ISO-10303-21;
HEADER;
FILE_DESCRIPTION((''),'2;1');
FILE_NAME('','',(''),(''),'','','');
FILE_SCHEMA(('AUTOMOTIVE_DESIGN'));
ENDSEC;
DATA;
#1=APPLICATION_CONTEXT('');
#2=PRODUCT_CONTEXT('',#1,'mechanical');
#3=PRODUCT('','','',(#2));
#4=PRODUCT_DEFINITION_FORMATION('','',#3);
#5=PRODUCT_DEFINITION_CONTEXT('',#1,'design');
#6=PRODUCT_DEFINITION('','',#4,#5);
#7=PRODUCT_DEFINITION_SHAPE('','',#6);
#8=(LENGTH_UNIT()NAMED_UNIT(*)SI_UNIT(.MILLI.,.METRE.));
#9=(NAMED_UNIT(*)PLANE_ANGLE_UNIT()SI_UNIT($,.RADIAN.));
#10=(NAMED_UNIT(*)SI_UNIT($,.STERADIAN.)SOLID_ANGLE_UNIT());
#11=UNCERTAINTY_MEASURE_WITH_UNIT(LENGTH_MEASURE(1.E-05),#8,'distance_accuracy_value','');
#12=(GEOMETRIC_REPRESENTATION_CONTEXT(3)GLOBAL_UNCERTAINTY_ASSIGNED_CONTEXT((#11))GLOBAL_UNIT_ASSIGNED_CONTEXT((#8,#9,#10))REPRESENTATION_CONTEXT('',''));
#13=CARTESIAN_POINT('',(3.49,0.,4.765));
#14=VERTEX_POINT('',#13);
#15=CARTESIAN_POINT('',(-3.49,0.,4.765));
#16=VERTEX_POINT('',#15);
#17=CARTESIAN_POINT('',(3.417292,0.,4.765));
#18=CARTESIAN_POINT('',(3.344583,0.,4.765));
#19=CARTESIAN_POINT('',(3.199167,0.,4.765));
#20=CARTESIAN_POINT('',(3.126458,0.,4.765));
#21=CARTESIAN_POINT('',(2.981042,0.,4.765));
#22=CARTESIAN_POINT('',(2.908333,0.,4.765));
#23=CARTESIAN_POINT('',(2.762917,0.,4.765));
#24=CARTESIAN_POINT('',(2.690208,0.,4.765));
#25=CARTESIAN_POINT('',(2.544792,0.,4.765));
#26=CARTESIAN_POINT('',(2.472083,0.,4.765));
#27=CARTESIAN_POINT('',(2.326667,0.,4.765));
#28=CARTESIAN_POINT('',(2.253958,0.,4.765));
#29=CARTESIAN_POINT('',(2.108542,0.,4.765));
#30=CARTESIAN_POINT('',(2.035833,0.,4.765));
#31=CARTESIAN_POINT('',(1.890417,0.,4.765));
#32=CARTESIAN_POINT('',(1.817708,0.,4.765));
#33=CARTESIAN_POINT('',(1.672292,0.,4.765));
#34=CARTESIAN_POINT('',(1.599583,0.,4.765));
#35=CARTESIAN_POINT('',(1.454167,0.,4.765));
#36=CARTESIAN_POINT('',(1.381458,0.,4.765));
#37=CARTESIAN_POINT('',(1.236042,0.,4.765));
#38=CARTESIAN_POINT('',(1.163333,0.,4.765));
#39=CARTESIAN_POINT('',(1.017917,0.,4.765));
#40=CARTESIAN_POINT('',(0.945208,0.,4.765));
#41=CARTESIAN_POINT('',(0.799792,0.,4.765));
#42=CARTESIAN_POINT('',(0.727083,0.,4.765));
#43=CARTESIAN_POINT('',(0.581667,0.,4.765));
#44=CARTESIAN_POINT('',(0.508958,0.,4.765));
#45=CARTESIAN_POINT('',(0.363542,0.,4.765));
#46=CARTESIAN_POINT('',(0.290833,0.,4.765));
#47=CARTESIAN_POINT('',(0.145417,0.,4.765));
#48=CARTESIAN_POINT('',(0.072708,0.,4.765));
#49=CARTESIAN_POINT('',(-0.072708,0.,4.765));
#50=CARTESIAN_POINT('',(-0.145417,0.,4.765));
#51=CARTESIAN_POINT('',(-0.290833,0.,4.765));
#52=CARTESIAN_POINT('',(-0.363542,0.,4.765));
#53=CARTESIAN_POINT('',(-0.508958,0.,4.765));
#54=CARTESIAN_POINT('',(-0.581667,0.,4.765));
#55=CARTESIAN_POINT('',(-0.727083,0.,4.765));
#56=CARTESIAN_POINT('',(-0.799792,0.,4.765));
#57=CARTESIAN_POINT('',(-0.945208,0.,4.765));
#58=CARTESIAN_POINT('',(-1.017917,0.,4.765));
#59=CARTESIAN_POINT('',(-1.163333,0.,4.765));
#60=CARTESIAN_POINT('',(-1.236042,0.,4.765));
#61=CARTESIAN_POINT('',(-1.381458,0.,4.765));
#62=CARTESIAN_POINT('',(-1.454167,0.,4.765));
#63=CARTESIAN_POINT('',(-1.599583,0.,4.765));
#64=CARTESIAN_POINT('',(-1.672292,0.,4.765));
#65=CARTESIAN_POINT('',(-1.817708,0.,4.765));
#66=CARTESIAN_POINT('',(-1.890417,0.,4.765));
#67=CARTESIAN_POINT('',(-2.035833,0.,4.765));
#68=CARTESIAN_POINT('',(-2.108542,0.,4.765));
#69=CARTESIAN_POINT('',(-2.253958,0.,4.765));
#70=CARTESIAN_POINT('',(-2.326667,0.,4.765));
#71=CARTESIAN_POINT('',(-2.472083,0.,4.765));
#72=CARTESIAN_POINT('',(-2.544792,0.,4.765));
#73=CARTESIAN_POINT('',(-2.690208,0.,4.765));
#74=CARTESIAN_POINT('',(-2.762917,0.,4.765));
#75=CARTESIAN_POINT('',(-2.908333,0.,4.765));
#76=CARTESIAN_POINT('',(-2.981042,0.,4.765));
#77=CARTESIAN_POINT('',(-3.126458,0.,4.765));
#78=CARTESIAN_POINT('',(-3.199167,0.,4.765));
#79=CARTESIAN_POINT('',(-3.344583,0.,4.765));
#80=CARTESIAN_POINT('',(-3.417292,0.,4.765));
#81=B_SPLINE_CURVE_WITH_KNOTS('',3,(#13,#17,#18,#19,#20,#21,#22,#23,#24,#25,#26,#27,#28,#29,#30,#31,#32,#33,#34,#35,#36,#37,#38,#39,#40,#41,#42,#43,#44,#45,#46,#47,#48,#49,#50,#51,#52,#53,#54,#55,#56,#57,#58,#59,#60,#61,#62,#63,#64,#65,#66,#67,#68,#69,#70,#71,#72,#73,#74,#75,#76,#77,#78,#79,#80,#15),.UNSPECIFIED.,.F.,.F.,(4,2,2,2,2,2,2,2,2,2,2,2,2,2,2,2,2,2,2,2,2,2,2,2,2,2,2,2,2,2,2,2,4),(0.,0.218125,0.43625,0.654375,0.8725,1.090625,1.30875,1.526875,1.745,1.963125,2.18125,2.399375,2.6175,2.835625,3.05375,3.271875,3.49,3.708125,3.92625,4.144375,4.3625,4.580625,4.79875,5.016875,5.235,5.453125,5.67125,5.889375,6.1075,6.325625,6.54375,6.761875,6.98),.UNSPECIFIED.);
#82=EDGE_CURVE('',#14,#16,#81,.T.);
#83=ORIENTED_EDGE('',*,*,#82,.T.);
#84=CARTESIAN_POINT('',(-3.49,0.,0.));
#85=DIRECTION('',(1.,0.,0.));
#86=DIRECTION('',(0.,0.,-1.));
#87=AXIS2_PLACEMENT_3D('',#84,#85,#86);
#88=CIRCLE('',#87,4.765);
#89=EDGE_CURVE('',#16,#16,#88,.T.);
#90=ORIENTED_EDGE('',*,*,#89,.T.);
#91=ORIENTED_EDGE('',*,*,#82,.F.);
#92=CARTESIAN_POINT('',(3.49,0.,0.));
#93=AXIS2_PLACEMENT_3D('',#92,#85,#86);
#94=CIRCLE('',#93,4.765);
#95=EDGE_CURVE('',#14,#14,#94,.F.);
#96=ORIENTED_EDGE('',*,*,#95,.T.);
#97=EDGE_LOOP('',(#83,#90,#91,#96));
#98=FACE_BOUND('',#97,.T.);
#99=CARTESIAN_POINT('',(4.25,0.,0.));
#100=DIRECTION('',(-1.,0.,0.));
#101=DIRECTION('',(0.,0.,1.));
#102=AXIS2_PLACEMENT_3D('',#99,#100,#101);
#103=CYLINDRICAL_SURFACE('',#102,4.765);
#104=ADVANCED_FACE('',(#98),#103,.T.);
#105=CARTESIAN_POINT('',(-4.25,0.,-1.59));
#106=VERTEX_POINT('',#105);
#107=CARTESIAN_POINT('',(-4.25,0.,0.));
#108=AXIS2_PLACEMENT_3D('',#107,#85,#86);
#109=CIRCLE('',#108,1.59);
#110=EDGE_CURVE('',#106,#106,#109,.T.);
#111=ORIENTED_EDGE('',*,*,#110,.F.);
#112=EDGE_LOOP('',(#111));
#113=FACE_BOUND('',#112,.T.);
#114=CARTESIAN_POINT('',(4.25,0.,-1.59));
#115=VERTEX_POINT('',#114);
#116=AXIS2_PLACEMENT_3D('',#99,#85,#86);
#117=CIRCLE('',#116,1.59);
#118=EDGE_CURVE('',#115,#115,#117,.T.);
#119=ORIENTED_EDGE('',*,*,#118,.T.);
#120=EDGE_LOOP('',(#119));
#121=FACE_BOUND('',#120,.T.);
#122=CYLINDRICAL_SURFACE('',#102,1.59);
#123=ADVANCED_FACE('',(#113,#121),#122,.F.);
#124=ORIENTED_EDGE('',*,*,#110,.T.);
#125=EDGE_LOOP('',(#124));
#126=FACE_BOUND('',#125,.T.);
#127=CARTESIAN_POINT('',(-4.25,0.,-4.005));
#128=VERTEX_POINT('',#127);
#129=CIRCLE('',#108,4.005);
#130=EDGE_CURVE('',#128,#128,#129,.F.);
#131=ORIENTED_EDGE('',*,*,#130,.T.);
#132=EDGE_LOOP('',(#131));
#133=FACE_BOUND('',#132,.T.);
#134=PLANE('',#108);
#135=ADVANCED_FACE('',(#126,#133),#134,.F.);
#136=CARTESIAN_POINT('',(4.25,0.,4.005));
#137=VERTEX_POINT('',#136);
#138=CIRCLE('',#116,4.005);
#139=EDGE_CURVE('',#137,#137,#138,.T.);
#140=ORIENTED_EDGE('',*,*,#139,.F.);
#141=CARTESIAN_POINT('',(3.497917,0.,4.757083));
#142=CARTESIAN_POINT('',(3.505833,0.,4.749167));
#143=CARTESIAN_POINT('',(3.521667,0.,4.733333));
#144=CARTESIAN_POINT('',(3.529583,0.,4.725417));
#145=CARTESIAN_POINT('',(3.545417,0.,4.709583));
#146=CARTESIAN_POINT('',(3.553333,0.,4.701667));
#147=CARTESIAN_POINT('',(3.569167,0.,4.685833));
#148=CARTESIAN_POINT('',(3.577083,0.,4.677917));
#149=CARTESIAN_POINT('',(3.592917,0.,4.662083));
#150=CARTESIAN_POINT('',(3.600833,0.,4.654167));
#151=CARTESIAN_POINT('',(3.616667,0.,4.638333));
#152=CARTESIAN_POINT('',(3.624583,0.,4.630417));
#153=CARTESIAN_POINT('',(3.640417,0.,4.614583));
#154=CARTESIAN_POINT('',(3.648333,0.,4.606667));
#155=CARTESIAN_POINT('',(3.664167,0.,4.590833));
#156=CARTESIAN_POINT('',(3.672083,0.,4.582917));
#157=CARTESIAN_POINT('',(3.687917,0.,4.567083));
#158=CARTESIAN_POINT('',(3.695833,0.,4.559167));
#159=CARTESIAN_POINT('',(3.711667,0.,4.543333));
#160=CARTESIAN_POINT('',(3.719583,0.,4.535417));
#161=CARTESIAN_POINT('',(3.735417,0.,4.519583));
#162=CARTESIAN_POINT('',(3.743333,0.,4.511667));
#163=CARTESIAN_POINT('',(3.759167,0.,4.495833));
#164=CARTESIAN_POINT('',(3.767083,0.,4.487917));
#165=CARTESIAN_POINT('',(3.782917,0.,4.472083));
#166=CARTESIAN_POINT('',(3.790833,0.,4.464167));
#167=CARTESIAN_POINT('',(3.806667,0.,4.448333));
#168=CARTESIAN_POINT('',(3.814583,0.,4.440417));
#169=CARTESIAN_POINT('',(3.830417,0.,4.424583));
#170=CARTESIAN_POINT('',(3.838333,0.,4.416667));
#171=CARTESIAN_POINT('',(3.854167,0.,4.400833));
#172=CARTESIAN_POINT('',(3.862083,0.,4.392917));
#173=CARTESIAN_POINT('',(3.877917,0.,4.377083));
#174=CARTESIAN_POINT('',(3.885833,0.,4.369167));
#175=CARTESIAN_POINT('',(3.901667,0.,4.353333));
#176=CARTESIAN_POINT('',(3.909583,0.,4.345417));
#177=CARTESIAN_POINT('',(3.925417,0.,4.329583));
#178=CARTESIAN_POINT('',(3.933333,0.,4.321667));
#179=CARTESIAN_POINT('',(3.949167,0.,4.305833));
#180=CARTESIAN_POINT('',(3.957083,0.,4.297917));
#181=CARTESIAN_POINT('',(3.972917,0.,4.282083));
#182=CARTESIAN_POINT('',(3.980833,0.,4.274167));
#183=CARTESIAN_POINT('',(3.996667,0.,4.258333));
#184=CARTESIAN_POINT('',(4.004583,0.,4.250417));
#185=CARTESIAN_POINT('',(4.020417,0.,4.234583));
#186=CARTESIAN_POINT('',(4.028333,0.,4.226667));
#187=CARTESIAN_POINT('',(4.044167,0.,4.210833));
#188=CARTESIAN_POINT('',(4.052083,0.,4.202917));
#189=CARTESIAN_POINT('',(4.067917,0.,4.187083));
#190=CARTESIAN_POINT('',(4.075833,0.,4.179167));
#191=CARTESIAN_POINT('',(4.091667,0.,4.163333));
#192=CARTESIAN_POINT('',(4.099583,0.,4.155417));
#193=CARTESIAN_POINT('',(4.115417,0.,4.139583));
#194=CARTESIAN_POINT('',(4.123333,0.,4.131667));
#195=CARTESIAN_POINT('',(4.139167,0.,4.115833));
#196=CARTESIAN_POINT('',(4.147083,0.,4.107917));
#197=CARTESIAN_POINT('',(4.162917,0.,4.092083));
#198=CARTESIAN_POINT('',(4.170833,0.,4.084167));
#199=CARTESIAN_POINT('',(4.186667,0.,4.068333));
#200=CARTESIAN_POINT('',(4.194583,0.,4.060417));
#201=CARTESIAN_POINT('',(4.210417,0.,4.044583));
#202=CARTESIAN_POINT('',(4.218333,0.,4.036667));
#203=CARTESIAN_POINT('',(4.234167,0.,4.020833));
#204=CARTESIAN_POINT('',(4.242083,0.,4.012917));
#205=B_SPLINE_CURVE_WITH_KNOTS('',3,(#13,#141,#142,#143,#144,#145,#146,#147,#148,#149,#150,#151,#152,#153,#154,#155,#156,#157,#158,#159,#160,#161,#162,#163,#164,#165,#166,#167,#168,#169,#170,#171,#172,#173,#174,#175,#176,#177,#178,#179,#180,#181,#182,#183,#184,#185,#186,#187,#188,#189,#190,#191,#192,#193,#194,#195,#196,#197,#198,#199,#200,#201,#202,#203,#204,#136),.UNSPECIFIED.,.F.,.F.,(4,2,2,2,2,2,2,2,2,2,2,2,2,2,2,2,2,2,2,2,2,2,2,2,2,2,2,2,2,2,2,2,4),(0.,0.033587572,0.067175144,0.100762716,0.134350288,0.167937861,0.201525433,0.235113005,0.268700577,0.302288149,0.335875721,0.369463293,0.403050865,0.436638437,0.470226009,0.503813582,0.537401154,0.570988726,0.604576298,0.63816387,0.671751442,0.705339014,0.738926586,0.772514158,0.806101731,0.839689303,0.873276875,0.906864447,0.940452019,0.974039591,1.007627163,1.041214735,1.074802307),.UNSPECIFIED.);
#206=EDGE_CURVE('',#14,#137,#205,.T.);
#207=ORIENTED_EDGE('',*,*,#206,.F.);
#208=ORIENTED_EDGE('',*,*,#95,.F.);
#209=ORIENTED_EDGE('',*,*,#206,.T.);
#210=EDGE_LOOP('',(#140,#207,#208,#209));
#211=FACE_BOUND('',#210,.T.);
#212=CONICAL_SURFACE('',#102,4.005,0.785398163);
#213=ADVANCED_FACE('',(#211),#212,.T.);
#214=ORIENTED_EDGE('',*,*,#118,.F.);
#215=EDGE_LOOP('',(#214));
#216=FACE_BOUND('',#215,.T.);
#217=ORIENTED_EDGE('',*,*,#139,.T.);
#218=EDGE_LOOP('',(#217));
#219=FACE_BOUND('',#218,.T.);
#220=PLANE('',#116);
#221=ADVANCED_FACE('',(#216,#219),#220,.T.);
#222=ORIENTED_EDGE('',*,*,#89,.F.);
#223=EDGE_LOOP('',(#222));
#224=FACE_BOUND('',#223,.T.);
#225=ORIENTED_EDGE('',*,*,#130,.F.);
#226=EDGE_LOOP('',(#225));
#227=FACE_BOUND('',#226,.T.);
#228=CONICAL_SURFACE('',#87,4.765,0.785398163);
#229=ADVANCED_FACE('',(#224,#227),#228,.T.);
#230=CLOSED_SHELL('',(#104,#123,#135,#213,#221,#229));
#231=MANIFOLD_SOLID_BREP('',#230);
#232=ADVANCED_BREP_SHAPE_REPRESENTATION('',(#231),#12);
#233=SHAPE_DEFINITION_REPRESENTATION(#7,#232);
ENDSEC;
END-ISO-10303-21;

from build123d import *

# Parameters (mm, degrees)
SKETCH1_R           = 4.765
SKETCH1_R_2         = 1.59
BOSS_EXTRUDE1_DEPTH = 4.25
CHAMFER1_SIZE       = 0.76


with BuildPart() as part:
    # Sketch1 → Boss-Extrude1 (new, symmetric)
    with BuildSketch(Plane(origin=(0, 0, 0), x_dir=(0, 0, -1), z_dir=(1, 0, 0))):
        Circle(SKETCH1_R)
        Circle(SKETCH1_R_2, mode=Mode.SUBTRACT)
    extrude(amount=BOSS_EXTRUDE1_DEPTH, both=True)

    # Chamfer1
    chamfer1_edges = [part.edges().sort_by_distance(p)[0] for p in [
        (-4.25, 0, 4.765),
        (4.25, 0, 4.765),
    ]]
    chamfer(chamfer1_edges, length=CHAMFER1_SIZE)


solid = part.part
